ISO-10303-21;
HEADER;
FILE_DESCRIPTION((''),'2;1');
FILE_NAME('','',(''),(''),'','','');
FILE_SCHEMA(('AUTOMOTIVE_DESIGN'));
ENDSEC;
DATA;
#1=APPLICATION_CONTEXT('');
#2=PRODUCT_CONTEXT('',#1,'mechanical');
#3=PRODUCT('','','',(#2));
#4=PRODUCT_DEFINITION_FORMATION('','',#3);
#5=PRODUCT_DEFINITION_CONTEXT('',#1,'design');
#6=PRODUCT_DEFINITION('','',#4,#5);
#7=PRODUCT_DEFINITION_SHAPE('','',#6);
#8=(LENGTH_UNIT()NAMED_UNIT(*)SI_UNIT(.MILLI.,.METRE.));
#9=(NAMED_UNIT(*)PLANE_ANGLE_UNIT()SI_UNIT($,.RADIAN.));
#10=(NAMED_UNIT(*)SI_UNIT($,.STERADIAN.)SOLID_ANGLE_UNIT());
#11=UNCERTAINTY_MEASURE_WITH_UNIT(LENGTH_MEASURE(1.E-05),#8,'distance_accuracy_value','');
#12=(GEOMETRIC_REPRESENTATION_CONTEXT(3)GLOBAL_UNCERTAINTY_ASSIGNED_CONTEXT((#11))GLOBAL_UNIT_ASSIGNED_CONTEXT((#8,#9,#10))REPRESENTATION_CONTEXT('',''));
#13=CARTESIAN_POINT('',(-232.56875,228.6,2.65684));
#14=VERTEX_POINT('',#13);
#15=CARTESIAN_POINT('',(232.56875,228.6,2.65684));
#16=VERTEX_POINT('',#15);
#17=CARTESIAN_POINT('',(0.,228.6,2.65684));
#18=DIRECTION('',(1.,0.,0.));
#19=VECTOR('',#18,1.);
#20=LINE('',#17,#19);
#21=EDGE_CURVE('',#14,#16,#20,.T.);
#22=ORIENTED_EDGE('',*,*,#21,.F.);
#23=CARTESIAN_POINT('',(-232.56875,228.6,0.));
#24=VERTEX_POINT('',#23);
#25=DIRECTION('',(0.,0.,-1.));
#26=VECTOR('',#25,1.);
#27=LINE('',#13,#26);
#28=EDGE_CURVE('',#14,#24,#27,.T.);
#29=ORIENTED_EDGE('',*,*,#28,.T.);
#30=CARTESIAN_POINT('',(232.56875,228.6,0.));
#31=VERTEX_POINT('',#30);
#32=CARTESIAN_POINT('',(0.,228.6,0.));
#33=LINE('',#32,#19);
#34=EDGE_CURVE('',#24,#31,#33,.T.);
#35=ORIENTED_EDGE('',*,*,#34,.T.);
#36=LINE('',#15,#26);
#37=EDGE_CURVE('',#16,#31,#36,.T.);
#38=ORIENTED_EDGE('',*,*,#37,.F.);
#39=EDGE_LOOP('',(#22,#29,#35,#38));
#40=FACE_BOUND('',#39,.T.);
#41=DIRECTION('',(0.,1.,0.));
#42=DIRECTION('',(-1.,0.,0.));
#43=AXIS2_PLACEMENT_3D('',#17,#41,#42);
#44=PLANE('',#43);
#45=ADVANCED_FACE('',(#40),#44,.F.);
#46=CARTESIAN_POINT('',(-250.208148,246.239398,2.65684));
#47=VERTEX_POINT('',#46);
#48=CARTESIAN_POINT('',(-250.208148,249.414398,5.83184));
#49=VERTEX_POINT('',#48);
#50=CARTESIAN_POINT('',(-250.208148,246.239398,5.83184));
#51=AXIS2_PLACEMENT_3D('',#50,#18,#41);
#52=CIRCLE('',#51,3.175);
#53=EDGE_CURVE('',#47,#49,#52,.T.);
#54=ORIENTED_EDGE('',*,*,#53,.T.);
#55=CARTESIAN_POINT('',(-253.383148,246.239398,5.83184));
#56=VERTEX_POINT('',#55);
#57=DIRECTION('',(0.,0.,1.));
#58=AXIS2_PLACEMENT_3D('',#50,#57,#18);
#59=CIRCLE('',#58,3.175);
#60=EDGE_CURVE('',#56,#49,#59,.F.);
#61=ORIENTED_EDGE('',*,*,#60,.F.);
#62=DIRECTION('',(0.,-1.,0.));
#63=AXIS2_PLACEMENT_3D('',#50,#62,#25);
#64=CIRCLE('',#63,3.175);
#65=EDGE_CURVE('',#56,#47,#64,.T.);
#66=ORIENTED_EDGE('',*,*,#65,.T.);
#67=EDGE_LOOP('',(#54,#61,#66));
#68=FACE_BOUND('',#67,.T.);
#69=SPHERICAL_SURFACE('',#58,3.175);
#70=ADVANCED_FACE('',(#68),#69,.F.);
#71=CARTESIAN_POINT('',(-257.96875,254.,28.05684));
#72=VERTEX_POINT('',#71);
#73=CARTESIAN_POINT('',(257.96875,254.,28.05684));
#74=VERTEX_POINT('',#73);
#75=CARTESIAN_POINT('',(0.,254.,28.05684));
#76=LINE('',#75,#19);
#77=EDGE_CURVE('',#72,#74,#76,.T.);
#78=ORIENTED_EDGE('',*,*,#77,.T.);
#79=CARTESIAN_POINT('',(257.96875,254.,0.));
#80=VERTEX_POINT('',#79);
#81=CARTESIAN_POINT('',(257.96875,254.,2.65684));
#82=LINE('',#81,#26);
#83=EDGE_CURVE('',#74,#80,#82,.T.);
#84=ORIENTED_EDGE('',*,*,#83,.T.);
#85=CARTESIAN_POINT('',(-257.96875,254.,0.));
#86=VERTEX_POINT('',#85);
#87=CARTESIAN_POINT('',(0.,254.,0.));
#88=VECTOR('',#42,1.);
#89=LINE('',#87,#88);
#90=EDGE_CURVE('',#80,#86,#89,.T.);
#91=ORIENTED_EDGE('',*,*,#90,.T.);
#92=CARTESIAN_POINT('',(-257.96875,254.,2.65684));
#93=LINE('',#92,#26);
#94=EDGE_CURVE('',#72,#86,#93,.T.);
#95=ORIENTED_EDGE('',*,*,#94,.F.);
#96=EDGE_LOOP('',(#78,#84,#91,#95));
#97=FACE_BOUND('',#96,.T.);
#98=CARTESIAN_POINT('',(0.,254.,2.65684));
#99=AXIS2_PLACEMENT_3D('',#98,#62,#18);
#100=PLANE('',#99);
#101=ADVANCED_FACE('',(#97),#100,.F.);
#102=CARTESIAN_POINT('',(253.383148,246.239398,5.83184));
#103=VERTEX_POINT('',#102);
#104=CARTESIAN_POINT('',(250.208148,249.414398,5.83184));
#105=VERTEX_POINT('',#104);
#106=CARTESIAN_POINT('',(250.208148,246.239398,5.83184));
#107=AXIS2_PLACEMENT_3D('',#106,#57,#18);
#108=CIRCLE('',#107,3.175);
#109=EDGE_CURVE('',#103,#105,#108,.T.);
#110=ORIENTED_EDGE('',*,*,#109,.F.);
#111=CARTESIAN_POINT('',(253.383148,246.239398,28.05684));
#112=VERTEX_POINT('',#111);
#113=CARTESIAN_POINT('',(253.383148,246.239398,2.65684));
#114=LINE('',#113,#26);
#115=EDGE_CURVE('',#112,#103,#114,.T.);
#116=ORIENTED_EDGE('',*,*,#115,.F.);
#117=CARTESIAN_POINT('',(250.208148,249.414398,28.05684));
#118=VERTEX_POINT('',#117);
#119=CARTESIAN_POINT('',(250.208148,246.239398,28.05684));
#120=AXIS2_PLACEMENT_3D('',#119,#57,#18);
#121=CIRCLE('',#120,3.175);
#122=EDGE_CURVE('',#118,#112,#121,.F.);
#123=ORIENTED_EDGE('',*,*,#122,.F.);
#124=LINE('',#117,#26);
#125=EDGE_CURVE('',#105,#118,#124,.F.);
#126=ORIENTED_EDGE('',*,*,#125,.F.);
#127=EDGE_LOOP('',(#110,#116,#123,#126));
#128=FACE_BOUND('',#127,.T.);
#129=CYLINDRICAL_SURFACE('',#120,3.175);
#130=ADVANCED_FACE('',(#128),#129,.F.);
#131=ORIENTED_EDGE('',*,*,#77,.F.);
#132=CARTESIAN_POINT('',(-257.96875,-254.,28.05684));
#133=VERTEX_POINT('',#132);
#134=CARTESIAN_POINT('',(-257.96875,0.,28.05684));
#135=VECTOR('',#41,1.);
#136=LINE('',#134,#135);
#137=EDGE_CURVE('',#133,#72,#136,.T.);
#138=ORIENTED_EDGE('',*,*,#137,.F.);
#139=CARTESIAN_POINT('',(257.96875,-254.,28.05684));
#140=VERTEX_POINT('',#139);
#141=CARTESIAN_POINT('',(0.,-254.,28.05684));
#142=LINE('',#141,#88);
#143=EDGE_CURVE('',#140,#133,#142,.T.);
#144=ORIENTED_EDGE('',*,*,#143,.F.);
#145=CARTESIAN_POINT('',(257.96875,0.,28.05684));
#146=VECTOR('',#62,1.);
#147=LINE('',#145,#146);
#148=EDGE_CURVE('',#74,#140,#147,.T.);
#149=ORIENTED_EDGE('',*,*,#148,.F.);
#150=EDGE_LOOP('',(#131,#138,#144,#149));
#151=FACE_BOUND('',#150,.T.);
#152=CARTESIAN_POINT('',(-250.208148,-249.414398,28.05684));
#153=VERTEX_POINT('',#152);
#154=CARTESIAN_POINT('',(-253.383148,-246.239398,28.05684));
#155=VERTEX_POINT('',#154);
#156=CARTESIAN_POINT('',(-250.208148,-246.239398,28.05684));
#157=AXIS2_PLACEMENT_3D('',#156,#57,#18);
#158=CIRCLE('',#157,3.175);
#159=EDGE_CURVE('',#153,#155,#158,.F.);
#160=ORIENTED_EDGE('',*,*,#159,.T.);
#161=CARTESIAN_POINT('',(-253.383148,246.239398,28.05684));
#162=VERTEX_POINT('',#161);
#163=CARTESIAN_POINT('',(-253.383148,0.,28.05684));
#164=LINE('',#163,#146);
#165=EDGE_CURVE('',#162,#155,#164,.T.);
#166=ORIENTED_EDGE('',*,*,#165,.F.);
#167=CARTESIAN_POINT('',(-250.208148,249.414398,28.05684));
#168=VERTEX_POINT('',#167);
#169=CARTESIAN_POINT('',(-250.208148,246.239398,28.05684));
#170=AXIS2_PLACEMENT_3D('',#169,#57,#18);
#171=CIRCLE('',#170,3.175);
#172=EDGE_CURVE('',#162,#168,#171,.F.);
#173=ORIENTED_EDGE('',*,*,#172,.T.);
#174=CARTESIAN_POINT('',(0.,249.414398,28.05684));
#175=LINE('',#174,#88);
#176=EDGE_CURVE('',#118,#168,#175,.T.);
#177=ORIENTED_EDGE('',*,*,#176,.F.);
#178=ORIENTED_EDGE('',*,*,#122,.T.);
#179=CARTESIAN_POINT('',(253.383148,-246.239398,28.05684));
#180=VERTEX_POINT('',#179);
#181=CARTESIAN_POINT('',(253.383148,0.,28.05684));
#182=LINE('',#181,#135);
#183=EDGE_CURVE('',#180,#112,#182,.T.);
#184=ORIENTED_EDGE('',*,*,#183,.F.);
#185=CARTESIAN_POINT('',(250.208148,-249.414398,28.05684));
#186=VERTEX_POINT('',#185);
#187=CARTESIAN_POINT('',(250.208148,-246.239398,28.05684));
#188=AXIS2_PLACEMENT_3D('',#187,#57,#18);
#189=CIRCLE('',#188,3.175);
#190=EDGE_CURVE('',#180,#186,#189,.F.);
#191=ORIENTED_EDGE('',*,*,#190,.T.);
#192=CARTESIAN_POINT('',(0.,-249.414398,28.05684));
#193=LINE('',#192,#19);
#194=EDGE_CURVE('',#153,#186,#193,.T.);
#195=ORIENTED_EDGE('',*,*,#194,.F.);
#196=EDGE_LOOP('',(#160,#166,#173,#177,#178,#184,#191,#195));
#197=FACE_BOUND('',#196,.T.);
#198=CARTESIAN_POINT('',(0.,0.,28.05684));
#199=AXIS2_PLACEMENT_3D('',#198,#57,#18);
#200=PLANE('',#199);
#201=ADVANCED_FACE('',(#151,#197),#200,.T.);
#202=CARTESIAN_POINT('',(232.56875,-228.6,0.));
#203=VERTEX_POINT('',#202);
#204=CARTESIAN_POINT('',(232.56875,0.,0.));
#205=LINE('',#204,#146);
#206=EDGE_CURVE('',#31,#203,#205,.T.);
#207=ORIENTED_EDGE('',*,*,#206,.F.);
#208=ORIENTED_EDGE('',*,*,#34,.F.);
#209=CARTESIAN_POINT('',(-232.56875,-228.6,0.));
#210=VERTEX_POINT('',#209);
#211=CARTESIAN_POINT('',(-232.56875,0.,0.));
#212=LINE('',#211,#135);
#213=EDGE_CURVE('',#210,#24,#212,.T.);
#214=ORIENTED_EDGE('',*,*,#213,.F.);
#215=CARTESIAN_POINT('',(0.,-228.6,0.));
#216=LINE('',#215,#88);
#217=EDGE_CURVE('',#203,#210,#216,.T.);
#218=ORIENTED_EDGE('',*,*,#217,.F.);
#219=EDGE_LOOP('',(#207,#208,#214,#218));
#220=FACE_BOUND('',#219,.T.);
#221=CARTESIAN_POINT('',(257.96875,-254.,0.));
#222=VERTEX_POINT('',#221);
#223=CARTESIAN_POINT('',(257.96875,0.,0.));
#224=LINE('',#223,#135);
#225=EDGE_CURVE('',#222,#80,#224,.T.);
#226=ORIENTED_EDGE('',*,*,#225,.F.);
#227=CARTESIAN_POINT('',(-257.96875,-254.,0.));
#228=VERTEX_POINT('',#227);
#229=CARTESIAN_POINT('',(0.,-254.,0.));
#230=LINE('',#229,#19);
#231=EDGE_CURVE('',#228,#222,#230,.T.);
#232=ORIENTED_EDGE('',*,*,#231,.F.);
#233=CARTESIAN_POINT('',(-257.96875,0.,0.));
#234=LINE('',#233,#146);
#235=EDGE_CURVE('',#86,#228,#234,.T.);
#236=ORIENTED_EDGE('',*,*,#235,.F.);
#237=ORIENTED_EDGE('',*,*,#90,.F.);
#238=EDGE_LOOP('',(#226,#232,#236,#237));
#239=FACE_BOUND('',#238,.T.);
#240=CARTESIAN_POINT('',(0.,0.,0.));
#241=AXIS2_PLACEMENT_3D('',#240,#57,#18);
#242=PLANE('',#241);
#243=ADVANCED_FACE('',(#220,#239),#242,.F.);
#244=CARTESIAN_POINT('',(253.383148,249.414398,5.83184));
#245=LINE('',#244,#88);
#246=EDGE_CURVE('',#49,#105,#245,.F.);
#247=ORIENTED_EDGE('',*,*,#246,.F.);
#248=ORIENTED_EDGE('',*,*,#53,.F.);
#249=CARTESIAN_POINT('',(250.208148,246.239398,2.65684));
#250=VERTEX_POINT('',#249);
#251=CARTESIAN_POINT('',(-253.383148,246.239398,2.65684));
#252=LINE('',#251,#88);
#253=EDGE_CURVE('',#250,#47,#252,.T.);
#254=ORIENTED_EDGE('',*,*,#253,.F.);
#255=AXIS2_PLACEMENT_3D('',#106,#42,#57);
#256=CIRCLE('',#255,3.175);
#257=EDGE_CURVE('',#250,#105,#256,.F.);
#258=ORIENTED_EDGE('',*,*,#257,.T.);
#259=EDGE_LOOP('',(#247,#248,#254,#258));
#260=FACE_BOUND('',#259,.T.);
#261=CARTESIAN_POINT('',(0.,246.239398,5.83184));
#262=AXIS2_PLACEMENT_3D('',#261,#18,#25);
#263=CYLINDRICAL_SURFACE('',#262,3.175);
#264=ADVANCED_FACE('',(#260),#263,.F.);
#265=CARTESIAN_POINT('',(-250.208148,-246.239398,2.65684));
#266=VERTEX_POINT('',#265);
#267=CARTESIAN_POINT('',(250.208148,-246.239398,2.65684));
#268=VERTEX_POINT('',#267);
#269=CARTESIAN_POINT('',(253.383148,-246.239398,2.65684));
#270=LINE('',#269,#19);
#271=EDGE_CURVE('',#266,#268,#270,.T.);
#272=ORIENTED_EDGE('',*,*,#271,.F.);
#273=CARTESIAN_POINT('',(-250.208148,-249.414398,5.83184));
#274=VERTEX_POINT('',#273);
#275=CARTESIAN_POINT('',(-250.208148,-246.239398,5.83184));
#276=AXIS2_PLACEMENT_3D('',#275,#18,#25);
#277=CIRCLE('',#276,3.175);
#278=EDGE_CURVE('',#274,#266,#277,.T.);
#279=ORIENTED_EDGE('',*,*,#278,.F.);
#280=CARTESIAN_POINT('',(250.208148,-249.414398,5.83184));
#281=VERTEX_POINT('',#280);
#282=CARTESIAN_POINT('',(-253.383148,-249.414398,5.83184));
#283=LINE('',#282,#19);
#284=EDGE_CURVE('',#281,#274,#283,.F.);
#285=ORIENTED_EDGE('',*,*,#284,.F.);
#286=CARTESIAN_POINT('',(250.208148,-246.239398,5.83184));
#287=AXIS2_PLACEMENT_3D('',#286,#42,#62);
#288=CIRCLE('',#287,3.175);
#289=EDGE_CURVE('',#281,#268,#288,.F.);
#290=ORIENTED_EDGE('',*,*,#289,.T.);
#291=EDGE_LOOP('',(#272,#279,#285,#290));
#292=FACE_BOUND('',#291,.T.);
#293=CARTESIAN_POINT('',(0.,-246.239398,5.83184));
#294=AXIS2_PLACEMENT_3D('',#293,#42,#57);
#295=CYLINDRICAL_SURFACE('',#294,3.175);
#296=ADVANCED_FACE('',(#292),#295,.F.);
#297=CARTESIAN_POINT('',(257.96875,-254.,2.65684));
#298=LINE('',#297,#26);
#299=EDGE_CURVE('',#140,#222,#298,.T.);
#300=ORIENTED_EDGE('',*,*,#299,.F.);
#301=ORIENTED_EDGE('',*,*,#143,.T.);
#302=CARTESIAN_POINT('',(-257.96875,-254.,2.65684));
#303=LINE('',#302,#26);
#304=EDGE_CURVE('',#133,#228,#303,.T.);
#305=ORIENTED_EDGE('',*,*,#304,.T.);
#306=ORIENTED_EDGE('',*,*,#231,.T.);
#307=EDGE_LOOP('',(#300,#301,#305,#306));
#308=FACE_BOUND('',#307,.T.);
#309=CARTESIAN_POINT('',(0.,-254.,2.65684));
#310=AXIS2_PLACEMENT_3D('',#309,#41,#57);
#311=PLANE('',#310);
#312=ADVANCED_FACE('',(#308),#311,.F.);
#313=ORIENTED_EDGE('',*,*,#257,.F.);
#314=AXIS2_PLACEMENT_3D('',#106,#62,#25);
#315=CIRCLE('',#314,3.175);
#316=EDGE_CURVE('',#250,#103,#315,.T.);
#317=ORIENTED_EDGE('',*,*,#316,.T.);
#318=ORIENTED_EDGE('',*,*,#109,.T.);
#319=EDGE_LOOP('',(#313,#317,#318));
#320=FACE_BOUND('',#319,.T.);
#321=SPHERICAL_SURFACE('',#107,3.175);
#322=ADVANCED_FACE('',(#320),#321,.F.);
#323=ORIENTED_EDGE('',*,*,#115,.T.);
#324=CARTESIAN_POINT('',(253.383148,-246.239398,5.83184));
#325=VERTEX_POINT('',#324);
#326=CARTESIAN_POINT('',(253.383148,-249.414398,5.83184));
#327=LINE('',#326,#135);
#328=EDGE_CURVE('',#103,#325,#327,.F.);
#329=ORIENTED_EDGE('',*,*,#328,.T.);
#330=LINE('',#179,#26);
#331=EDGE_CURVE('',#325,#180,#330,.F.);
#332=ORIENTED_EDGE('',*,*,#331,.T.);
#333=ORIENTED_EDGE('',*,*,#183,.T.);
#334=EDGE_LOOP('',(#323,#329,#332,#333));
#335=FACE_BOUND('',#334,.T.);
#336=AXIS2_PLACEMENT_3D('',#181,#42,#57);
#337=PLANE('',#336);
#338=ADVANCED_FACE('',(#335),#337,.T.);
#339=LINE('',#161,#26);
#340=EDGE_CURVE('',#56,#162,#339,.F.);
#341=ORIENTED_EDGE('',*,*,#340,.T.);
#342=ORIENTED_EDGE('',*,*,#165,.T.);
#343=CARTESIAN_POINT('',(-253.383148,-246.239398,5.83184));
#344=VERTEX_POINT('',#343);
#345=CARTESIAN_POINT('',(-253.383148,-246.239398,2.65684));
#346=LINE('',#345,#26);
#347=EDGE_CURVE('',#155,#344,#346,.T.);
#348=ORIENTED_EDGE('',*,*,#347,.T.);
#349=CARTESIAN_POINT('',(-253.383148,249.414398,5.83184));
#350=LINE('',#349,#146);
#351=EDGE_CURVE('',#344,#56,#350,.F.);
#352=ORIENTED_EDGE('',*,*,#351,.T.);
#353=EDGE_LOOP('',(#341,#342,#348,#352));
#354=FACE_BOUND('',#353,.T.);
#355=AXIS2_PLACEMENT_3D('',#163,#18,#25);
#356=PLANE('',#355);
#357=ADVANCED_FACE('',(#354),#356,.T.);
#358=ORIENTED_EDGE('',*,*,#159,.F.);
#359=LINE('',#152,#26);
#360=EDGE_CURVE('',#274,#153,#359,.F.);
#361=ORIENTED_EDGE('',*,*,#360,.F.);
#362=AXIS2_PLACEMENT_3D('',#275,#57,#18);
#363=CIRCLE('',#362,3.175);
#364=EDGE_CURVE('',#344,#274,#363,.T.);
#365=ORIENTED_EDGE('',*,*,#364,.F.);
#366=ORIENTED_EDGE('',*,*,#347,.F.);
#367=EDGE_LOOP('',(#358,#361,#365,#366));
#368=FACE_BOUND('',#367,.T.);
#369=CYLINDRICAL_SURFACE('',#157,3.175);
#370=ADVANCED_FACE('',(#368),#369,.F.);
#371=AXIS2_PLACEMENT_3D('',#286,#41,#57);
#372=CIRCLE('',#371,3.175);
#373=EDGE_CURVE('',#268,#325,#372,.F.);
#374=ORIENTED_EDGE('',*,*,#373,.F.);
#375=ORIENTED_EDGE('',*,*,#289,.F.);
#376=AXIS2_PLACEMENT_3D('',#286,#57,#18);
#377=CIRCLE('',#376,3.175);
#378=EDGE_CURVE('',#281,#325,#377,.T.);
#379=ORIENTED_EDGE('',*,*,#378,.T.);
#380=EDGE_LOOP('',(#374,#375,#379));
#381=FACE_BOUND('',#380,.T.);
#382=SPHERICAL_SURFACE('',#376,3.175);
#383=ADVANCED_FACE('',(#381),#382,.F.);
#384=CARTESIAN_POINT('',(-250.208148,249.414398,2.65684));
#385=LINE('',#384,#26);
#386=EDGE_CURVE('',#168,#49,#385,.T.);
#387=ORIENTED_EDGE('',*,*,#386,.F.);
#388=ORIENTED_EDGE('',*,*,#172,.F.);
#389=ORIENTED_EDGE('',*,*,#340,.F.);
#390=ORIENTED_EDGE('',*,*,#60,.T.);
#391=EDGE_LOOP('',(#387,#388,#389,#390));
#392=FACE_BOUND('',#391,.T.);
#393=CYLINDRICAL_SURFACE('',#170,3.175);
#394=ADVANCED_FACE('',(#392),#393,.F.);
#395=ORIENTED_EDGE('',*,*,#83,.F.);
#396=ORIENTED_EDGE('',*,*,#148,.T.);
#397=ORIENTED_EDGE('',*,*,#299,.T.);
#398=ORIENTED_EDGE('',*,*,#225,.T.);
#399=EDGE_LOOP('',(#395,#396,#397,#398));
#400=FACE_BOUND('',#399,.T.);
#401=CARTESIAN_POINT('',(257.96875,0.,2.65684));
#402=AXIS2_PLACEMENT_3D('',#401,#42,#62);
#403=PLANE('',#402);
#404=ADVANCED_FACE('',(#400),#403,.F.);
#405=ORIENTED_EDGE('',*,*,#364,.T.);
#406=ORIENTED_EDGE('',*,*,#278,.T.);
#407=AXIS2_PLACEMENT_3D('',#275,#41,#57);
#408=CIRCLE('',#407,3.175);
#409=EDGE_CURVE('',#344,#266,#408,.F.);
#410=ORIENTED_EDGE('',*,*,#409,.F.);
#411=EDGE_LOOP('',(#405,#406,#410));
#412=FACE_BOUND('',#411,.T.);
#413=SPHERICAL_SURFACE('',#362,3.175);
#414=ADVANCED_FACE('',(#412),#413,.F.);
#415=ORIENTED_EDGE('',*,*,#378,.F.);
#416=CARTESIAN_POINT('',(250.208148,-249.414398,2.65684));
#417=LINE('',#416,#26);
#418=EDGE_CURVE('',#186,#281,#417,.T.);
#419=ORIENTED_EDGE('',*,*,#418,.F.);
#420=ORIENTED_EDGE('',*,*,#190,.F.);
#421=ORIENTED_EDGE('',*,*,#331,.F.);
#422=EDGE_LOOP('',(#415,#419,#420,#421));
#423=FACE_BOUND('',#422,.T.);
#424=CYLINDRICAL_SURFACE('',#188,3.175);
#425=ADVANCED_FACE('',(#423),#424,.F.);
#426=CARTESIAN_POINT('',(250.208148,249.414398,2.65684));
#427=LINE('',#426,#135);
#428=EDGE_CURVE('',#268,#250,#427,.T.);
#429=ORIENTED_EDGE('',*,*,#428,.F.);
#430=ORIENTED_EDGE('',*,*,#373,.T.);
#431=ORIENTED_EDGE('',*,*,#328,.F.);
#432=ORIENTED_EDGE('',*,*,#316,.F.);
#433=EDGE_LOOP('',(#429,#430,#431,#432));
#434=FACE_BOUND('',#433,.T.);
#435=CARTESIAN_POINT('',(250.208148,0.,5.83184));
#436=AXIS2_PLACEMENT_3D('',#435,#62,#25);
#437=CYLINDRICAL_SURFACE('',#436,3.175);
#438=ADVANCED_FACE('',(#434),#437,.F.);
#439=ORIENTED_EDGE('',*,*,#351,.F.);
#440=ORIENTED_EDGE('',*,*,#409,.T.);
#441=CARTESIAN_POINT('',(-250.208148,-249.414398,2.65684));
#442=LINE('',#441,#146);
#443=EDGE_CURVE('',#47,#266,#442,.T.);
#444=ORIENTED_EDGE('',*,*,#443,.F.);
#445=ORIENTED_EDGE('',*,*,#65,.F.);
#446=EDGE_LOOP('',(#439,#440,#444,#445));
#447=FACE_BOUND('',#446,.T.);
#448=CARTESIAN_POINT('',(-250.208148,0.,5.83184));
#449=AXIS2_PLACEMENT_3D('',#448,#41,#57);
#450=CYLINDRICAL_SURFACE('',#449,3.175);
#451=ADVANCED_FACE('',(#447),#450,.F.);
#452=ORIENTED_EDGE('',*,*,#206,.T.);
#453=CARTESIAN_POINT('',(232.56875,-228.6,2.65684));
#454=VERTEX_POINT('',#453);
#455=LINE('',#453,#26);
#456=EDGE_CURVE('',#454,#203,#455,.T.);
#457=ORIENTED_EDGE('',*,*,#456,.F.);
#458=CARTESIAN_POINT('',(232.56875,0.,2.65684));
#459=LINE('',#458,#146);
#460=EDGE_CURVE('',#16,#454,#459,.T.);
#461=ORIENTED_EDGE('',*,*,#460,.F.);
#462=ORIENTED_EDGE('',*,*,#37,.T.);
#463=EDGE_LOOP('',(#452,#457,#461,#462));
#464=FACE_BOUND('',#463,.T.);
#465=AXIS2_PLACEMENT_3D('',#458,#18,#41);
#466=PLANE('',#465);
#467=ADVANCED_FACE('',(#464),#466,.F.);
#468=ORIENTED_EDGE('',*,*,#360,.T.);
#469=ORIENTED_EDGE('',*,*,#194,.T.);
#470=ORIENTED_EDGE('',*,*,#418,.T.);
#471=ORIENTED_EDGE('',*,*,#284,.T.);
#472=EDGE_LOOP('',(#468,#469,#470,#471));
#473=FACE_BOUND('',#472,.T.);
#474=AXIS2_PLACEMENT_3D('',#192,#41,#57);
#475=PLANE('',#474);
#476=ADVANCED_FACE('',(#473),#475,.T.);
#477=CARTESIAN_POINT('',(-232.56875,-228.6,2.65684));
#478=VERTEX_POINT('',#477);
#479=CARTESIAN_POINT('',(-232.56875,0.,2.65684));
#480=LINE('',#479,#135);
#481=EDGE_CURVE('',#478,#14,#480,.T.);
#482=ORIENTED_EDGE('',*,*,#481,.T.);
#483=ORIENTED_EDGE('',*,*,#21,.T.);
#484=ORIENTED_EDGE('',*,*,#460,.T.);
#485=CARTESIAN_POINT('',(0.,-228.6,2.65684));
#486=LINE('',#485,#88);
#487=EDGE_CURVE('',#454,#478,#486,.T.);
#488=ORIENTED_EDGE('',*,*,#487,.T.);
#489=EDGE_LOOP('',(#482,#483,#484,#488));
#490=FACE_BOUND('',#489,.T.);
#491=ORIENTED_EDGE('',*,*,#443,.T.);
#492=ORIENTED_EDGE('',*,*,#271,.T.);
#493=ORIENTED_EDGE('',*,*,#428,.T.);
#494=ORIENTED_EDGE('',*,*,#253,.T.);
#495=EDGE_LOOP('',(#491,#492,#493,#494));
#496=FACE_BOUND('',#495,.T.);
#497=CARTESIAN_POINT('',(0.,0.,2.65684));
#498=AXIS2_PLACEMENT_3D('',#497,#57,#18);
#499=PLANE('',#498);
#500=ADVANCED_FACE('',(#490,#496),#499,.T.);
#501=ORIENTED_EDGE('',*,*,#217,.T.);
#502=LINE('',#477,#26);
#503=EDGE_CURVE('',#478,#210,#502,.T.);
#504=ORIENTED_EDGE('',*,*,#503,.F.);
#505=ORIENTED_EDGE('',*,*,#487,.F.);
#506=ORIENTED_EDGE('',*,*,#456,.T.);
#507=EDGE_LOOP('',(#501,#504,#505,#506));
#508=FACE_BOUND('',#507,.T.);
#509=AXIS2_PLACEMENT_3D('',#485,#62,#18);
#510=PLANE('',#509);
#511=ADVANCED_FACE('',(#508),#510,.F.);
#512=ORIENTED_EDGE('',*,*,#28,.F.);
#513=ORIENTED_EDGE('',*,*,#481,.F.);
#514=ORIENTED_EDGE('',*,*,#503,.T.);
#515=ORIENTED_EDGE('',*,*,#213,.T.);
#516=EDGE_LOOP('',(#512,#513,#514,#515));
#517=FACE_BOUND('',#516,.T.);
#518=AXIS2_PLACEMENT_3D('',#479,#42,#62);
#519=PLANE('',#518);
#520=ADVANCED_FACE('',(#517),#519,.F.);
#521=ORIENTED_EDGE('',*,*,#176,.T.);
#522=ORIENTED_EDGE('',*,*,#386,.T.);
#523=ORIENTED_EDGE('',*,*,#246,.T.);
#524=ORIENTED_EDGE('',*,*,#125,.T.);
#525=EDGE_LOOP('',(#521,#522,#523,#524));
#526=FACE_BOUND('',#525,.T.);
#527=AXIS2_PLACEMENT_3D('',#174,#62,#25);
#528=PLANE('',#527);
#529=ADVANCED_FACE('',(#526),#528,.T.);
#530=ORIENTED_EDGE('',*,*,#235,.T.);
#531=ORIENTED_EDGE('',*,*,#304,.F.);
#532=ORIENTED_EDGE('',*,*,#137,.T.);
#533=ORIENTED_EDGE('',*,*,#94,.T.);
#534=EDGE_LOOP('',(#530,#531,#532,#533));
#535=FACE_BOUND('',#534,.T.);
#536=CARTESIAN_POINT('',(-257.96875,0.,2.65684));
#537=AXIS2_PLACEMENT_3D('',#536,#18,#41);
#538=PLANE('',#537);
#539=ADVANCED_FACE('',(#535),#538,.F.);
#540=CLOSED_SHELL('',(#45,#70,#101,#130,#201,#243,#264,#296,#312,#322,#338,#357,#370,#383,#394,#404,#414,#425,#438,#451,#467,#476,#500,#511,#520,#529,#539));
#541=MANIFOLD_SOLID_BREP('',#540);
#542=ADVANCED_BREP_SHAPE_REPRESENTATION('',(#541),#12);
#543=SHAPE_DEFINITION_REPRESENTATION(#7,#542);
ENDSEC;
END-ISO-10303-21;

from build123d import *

# Parameters (mm, degrees)
SKETCH1_W        = 515.9375
SKETCH1_H        = 508
SKETCH1_W_2      = 465.1375
SKETCH1_H_2      = 457.2
EXTRUSION1_DEPTH = 2.65684
SKETCH2_W        = 515.9375
SKETCH2_H        = 508
SKETCH2_W_2      = 506.766296236
SKETCH2_H_2      = 498.828796236
EXTRUSION2_DEPTH = 25.4
FILLET1_R        = 3.175


with BuildPart() as part:
    # Sketch1 → Extrusion1 (new body)
    with BuildSketch(Plane.XY):
        Rectangle(SKETCH1_W, SKETCH1_H)
        Rectangle(SKETCH1_W_2, SKETCH1_H_2, mode=Mode.SUBTRACT)
    extrude(amount=EXTRUSION1_DEPTH)

    # Sketch2 → Extrusion2 (add)
    with BuildSketch(Plane.XY.offset(2.65684)):
        Rectangle(SKETCH2_W, SKETCH2_H)
        Rectangle(SKETCH2_W_2, SKETCH2_H_2, mode=Mode.SUBTRACT)
    extrude(amount=EXTRUSION2_DEPTH)

    # Fillet1
    fillet1_edges = [part.edges().sort_by_distance(p)[0] for p in [
        (-253.383148118, -249.414398118, 15.35684),
        (-253.383148118, 249.414398118, 15.35684),
        (253.383148118, 249.414398118, 15.35684),
        (253.383148118, -249.414398118, 15.35684),
        (-253.383148118, 0, 2.65684),
        (0, -249.414398118, 2.65684),
        (253.383148118, 0, 2.65684),
        (0, 249.414398118, 2.65684),
    ]]
    fillet(fillet1_edges, radius=FILLET1_R)


solid = part.part
